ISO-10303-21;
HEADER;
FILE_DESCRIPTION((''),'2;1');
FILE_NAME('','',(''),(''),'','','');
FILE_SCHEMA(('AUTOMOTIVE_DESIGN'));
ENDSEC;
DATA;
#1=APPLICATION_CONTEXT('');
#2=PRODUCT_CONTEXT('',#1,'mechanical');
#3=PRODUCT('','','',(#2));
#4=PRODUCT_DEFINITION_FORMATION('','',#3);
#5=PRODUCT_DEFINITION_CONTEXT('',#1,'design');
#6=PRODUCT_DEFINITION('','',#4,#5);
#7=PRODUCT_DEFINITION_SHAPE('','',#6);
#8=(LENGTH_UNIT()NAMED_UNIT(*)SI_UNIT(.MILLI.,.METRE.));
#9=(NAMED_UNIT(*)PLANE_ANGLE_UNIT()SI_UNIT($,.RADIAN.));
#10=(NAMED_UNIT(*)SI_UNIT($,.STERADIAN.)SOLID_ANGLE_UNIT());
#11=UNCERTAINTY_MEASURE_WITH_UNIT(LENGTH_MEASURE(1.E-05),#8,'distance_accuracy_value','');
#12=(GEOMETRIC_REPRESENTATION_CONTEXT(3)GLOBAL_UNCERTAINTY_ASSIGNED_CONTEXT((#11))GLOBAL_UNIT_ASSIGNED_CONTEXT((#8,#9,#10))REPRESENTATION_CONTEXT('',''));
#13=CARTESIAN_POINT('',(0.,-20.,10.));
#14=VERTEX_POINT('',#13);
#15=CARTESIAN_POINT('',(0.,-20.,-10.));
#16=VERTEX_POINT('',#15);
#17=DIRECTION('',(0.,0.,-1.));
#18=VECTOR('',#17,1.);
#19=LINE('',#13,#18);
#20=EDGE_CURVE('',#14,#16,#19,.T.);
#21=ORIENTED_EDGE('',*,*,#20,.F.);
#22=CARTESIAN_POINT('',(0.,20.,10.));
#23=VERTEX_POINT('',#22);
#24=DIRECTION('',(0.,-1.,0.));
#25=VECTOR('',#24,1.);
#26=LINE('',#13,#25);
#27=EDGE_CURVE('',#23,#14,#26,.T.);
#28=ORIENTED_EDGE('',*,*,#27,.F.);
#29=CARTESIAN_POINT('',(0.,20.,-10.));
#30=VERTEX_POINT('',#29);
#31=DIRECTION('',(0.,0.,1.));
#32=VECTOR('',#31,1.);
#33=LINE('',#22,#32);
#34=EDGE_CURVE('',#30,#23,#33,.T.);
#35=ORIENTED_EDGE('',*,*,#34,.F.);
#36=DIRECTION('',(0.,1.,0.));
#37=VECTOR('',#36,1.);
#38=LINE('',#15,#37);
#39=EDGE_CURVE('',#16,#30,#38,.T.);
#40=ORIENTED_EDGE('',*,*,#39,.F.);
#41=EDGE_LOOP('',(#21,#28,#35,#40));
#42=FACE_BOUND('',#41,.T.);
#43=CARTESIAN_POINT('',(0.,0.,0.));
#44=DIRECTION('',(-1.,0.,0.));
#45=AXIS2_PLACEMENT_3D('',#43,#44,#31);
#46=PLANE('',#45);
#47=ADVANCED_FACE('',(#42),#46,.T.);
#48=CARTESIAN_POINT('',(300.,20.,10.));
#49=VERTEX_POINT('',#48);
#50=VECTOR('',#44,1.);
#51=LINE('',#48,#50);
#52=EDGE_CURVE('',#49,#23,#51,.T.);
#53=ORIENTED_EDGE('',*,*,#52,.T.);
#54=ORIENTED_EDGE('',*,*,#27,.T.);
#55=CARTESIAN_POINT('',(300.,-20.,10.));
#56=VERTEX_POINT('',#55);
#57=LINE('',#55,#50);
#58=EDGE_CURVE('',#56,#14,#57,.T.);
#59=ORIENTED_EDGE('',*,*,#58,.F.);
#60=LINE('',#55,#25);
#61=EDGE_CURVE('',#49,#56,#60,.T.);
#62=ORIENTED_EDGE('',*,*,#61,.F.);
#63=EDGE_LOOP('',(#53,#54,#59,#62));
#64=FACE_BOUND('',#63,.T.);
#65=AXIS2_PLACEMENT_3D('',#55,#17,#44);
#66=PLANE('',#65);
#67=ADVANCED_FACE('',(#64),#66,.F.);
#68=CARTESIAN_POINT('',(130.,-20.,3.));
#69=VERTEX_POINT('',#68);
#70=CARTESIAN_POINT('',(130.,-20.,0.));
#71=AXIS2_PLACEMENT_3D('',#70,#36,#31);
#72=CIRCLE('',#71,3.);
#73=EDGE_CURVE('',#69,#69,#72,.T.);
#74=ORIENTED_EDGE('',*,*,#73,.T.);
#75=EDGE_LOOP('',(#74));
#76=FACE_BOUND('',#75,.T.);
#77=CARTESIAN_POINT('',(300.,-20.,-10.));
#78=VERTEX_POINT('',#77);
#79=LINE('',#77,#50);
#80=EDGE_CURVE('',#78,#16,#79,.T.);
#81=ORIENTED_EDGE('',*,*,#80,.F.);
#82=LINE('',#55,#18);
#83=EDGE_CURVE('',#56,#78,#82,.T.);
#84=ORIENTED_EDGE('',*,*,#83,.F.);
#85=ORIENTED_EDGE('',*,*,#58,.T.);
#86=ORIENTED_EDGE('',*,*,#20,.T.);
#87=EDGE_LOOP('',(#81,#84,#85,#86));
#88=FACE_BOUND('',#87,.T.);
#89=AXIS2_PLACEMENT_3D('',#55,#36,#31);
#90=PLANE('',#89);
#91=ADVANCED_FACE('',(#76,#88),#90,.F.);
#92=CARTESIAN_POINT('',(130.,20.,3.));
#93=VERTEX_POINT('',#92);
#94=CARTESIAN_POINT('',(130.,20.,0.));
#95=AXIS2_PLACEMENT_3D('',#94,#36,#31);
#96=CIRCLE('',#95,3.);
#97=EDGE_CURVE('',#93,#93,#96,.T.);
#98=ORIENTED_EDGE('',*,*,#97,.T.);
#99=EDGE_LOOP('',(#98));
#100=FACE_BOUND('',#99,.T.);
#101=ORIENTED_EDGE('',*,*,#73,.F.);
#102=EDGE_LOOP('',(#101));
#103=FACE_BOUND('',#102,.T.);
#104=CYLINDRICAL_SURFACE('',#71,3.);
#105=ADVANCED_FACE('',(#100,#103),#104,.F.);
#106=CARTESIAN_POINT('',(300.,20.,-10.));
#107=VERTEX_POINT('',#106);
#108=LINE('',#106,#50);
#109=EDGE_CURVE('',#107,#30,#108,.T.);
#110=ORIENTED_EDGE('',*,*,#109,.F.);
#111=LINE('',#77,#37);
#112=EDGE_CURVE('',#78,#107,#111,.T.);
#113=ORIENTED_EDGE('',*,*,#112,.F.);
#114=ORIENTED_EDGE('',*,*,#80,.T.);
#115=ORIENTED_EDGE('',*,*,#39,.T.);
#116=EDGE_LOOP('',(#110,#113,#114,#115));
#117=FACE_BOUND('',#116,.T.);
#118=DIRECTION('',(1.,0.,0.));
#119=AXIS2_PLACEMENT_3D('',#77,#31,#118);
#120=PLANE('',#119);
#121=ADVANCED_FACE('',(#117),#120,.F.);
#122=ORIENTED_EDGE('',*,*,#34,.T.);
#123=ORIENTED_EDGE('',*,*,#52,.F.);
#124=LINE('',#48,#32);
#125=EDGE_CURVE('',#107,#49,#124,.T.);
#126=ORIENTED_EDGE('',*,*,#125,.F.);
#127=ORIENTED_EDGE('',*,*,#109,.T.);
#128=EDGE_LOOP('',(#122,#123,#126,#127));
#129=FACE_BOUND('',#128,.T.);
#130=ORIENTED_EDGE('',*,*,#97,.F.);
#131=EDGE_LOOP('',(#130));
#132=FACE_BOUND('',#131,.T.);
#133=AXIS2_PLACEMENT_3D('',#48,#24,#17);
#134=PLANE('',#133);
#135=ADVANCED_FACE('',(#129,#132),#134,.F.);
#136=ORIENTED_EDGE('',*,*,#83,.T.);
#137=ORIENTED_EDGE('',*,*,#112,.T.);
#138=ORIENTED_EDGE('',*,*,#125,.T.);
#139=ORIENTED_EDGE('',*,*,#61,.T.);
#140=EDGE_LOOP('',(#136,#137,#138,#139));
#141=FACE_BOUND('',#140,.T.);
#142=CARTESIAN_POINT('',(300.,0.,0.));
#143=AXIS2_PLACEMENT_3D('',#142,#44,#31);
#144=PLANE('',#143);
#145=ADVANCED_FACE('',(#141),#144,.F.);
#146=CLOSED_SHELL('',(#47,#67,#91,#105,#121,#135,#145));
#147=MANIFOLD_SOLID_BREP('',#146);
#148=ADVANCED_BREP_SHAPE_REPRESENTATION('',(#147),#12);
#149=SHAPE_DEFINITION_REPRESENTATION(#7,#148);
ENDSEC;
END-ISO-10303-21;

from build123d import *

# Parameters (mm, degrees)
SKIZZE1_W                       = 20
SKIZZE1_H                       = 40
AUFSATZ_LINEAR_AUSTRAGEN1_DEPTH = 300
SKIZZE2_R                       = 3
SCHNITT_LINEAR_AUSTRAGEN1_DEPTH = 303.820078595


with BuildPart() as part:
    # Skizze1 → Aufsatz-Linear austragen1 (new body)
    with BuildSketch(Plane(origin=(0, 0, 0), x_dir=(0, 0, -1), z_dir=(1, 0, 0))):
        Rectangle(SKIZZE1_W, SKIZZE1_H)
    extrude(amount=AUFSATZ_LINEAR_AUSTRAGEN1_DEPTH)

    # Skizze2 → Schnitt-Linear austragen1 (cut, through all)
    with BuildSketch(Plane(origin=(0, 20, 0), x_dir=(1, 0, 0), z_dir=(0, 1, 0))):
        with Locations(Location((130, 0, 0), (0, 0, 270))):
            Circle(SKIZZE2_R)
    extrude(amount=-SCHNITT_LINEAR_AUSTRAGEN1_DEPTH, mode=Mode.SUBTRACT)


solid = part.part
